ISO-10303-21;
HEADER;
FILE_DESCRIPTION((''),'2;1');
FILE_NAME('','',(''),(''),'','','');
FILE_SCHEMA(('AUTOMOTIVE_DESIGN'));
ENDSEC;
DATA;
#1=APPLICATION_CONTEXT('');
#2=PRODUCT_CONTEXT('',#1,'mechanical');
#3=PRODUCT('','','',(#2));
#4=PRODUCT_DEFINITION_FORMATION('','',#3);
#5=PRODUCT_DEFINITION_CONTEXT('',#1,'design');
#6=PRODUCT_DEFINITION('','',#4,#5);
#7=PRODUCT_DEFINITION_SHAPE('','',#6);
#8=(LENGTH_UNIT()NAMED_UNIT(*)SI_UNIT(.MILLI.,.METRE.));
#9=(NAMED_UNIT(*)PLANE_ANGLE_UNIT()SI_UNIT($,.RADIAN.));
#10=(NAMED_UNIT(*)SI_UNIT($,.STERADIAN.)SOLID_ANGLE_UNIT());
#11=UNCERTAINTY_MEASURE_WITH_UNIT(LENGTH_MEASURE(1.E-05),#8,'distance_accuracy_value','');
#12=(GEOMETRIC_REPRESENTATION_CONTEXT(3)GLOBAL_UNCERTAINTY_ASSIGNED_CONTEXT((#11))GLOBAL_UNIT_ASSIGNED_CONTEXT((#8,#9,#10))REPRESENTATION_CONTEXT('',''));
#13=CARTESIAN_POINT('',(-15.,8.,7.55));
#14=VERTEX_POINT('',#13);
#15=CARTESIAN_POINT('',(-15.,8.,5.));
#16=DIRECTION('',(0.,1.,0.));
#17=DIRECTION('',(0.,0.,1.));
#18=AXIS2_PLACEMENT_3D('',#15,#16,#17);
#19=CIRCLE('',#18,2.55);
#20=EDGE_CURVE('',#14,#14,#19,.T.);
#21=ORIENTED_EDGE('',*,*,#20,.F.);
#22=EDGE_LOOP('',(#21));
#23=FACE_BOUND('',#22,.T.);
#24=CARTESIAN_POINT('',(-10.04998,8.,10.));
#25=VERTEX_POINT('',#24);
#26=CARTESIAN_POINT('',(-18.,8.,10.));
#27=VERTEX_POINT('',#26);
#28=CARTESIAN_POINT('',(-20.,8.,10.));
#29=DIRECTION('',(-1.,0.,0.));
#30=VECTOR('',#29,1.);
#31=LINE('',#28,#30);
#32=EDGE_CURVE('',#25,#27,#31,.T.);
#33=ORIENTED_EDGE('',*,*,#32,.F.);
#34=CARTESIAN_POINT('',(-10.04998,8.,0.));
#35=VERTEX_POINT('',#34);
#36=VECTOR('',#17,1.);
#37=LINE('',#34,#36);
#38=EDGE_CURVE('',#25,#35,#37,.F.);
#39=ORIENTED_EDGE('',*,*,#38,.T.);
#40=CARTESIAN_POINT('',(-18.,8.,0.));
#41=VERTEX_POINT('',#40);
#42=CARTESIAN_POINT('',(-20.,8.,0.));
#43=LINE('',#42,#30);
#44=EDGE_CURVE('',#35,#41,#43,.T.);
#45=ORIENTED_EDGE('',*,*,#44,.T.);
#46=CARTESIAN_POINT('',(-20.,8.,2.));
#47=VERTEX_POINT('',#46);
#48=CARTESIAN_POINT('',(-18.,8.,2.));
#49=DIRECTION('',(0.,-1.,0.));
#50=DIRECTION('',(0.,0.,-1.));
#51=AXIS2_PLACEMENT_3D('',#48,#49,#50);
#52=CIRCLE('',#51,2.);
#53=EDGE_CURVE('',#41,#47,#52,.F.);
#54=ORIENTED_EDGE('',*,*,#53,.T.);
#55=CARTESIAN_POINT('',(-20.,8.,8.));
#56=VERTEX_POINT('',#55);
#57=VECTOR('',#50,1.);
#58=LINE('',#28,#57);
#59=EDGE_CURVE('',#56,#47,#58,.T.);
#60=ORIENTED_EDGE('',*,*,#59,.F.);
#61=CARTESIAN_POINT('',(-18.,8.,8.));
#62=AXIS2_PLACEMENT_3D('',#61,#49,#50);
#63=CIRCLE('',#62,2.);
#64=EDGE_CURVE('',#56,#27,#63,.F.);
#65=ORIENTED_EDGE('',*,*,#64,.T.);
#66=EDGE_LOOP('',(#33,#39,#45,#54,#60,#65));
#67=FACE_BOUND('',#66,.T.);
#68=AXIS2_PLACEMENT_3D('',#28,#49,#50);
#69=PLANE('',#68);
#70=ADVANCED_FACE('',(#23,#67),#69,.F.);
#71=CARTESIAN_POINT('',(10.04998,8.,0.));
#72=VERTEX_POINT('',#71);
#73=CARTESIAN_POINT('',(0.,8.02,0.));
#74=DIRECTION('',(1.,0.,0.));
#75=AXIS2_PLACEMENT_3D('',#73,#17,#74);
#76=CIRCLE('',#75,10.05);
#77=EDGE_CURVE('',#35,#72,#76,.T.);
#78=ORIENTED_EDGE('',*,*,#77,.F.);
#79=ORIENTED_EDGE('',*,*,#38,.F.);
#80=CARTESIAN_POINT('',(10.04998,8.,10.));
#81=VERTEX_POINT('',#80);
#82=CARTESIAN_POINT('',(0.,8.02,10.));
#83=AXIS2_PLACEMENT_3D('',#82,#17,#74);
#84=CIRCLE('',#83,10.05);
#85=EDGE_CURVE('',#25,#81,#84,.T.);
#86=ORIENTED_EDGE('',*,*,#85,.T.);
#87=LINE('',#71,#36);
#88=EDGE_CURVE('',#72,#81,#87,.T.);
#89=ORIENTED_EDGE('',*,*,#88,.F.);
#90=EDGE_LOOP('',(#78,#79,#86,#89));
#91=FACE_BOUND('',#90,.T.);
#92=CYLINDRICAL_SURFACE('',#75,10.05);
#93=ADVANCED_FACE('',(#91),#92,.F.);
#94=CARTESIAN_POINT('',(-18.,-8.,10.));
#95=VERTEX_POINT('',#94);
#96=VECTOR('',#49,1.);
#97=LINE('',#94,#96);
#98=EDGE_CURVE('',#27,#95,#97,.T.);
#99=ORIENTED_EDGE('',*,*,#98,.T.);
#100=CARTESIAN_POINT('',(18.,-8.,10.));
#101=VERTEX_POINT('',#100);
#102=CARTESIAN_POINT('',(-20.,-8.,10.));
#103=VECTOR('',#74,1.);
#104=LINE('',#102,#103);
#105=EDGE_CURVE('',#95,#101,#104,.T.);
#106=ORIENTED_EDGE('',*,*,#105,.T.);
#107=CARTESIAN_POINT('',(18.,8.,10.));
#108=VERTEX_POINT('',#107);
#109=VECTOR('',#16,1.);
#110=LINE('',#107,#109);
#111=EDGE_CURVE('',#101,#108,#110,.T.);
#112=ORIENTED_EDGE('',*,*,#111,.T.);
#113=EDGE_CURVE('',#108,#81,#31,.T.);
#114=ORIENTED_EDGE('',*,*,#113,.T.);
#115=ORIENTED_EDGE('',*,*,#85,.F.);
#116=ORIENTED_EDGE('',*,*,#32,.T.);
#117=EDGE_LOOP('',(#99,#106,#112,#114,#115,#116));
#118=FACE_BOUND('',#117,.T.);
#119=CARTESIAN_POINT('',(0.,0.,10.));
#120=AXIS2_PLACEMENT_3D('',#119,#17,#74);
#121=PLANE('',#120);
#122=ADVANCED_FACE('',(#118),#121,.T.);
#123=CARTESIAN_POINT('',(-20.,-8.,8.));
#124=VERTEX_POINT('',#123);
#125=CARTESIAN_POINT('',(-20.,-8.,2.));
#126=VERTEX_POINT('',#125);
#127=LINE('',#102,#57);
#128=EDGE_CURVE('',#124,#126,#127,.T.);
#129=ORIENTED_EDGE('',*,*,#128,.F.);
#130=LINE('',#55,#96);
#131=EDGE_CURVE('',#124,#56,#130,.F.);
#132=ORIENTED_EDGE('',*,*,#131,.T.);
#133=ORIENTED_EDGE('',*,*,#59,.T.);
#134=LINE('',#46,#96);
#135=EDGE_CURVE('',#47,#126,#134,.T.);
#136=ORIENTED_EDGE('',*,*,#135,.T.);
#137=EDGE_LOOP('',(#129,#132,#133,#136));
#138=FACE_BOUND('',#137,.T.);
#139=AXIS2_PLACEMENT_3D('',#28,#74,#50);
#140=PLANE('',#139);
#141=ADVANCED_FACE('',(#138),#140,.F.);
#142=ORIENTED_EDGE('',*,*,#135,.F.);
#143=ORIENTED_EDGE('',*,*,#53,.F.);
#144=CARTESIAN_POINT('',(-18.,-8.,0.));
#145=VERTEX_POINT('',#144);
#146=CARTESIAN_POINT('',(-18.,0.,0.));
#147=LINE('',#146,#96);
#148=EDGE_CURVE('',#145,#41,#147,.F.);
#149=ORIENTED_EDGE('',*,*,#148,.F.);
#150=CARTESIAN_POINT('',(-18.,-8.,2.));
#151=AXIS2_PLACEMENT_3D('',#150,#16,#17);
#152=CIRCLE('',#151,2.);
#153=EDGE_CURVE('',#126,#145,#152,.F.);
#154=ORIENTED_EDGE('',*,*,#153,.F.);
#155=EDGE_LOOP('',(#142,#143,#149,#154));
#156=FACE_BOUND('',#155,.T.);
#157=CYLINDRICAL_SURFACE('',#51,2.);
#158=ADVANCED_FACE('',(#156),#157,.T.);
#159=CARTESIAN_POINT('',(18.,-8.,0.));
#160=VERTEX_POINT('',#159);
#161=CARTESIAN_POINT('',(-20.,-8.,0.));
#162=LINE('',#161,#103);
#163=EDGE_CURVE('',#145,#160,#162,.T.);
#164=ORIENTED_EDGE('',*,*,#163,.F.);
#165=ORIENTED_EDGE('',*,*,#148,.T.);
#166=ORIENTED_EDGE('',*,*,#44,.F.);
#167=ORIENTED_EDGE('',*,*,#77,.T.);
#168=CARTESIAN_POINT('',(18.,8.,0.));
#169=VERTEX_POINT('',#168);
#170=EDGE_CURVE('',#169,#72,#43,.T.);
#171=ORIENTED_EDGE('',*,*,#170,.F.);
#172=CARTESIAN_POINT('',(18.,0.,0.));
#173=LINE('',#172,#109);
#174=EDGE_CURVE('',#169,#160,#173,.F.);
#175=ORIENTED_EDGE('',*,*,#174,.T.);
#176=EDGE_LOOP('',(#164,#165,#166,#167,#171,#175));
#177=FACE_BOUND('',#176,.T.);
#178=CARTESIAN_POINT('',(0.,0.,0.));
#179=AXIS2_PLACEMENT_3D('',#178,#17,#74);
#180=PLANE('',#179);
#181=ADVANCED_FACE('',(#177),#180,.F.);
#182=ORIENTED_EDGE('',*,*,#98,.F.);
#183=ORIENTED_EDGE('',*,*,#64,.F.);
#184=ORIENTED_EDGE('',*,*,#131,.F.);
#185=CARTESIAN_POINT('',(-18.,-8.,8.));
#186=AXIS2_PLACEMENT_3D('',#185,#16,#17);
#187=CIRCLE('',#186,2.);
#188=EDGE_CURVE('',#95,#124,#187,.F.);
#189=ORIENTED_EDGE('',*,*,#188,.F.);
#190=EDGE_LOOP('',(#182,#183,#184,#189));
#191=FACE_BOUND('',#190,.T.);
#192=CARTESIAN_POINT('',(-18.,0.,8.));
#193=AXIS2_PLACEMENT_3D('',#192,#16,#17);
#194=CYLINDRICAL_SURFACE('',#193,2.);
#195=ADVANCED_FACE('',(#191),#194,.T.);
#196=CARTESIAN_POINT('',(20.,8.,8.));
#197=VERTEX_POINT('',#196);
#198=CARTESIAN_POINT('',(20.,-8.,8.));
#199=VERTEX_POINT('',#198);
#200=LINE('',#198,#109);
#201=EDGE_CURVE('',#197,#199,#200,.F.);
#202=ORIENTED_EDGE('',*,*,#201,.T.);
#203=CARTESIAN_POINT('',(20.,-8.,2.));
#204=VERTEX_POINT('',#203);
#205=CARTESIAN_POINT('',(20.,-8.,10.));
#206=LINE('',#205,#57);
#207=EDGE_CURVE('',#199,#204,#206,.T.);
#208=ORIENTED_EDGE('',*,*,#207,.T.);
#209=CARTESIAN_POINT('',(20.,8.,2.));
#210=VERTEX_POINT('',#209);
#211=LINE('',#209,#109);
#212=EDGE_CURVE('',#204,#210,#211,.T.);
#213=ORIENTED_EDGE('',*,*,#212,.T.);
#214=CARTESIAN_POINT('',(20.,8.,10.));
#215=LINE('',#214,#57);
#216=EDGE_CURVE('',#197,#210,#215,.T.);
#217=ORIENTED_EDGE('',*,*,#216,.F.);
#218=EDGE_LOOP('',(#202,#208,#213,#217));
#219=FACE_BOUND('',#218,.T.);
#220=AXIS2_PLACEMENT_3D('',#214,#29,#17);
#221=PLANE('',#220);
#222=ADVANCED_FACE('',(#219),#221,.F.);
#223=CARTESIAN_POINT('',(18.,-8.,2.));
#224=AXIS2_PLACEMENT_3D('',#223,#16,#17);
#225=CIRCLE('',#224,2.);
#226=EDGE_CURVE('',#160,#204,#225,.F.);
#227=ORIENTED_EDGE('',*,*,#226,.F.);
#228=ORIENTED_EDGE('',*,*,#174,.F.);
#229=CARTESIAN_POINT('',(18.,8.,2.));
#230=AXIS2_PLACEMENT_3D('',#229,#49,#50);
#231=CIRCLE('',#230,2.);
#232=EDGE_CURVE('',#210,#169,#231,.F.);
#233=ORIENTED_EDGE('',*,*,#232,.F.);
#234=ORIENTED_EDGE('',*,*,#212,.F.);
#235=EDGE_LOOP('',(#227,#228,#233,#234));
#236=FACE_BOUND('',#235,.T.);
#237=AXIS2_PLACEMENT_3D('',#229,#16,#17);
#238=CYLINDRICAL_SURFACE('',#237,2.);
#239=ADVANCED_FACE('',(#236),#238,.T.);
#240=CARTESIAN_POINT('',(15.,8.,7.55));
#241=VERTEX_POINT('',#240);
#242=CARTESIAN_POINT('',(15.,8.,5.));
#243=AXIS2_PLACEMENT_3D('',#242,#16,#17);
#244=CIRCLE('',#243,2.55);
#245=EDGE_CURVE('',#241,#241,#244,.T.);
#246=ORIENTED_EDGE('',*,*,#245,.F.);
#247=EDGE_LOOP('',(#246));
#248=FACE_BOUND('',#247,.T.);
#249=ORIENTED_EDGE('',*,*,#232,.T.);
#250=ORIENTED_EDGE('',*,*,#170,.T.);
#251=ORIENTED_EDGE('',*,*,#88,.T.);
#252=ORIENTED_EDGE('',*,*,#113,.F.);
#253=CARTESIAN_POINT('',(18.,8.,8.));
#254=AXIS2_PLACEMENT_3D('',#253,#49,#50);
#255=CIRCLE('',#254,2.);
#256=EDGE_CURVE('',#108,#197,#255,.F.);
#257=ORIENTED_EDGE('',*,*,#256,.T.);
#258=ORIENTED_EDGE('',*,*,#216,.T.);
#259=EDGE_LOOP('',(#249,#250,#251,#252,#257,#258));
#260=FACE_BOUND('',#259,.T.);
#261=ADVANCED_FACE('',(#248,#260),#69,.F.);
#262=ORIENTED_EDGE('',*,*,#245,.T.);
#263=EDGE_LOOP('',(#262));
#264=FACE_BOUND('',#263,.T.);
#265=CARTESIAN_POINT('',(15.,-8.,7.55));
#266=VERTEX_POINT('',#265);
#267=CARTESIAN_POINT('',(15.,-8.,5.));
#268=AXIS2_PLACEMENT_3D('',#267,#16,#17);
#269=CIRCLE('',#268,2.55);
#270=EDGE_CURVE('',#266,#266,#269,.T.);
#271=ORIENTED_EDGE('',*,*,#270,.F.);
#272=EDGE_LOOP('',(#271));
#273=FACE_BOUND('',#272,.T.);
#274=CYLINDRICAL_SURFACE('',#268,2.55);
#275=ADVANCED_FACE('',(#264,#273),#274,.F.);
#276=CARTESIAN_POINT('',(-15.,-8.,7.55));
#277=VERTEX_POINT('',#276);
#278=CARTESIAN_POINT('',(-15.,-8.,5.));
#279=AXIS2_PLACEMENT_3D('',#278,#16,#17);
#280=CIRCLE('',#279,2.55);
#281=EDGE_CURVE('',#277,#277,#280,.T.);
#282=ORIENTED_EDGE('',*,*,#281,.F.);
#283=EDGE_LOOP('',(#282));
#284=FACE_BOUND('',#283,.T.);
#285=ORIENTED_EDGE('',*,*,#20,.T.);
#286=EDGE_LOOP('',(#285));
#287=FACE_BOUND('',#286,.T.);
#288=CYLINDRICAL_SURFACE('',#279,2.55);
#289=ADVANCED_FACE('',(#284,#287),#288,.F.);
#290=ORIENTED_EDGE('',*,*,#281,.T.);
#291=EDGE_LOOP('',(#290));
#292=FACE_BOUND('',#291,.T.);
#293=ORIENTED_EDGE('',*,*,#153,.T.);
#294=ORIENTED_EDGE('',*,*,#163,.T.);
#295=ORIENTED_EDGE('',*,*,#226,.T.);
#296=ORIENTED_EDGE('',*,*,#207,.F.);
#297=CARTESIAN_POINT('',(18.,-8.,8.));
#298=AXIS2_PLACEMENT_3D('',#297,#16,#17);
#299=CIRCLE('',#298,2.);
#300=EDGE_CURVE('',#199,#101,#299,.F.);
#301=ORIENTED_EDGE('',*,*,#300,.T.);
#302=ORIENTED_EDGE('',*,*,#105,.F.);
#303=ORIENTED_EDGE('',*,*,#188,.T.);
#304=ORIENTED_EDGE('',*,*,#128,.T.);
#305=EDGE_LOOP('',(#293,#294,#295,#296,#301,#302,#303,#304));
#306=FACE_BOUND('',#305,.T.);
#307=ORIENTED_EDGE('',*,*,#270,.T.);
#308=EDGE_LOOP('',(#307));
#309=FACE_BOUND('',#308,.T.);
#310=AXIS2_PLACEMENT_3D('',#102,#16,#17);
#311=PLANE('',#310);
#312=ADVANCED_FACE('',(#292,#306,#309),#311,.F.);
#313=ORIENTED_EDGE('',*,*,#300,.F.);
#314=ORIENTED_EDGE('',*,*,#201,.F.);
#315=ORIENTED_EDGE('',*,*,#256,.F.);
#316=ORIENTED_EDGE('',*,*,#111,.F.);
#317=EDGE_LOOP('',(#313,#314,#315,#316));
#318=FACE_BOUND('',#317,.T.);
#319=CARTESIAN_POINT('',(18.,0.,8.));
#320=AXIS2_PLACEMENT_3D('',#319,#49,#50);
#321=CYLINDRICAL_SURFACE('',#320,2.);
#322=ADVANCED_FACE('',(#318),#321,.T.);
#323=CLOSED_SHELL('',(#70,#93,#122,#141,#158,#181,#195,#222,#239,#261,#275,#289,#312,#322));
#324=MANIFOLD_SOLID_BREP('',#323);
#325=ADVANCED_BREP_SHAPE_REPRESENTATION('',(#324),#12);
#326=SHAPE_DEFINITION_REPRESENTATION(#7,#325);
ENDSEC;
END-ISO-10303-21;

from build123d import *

# Parameters (mm, degrees)
SKETCH1_W           = 40
SKETCH1_H           = 16
BOSS_EXTRUDE1_DEPTH = 10
FILLET1_R           = 2
SKETCH3_R           = 10.05
CUT_EXTRUDE1_DEPTH  = 24.748684174
SKETCH4_R           = 2.55
CUT_EXTRUDE2_DEPTH  = 28.49545417


with BuildPart() as part:
    # Sketch1 → Boss-Extrude1 (new body)
    with BuildSketch(Plane.XY):
        Rectangle(SKETCH1_W, SKETCH1_H)
    extrude(amount=BOSS_EXTRUDE1_DEPTH)

    # Fillet1
    fillet1_edges = [part.edges().sort_by_distance(p)[0] for p in [
        (20, 0, 10),
        (-20, 0, 10),
        (20, 0, 0),
        (-20, 0, 0),
    ]]
    fillet(fillet1_edges, radius=FILLET1_R)

    # Sketch3 → Cut-Extrude1 (cut, through all)
    with BuildSketch(Plane.XY.offset(10)):
        with Locations((0, 8.02)):
            Circle(SKETCH3_R)
    extrude(amount=-CUT_EXTRUDE1_DEPTH, mode=Mode.SUBTRACT)

    # Sketch4 → Cut-Extrude2 (cut, through all)
    with BuildSketch(Plane(origin=(0, 8, 0), x_dir=(1, 0, 0), z_dir=(0, 1, 0))):
        with Locations(Location((-15, -5, 0), (0, 0, 270))):
            Circle(SKETCH4_R)
        with Locations(Location((15, -5, 0), (0, 0, 270))):
            Circle(SKETCH4_R)
    extrude(amount=-CUT_EXTRUDE2_DEPTH, mode=Mode.SUBTRACT)


solid = part.part
